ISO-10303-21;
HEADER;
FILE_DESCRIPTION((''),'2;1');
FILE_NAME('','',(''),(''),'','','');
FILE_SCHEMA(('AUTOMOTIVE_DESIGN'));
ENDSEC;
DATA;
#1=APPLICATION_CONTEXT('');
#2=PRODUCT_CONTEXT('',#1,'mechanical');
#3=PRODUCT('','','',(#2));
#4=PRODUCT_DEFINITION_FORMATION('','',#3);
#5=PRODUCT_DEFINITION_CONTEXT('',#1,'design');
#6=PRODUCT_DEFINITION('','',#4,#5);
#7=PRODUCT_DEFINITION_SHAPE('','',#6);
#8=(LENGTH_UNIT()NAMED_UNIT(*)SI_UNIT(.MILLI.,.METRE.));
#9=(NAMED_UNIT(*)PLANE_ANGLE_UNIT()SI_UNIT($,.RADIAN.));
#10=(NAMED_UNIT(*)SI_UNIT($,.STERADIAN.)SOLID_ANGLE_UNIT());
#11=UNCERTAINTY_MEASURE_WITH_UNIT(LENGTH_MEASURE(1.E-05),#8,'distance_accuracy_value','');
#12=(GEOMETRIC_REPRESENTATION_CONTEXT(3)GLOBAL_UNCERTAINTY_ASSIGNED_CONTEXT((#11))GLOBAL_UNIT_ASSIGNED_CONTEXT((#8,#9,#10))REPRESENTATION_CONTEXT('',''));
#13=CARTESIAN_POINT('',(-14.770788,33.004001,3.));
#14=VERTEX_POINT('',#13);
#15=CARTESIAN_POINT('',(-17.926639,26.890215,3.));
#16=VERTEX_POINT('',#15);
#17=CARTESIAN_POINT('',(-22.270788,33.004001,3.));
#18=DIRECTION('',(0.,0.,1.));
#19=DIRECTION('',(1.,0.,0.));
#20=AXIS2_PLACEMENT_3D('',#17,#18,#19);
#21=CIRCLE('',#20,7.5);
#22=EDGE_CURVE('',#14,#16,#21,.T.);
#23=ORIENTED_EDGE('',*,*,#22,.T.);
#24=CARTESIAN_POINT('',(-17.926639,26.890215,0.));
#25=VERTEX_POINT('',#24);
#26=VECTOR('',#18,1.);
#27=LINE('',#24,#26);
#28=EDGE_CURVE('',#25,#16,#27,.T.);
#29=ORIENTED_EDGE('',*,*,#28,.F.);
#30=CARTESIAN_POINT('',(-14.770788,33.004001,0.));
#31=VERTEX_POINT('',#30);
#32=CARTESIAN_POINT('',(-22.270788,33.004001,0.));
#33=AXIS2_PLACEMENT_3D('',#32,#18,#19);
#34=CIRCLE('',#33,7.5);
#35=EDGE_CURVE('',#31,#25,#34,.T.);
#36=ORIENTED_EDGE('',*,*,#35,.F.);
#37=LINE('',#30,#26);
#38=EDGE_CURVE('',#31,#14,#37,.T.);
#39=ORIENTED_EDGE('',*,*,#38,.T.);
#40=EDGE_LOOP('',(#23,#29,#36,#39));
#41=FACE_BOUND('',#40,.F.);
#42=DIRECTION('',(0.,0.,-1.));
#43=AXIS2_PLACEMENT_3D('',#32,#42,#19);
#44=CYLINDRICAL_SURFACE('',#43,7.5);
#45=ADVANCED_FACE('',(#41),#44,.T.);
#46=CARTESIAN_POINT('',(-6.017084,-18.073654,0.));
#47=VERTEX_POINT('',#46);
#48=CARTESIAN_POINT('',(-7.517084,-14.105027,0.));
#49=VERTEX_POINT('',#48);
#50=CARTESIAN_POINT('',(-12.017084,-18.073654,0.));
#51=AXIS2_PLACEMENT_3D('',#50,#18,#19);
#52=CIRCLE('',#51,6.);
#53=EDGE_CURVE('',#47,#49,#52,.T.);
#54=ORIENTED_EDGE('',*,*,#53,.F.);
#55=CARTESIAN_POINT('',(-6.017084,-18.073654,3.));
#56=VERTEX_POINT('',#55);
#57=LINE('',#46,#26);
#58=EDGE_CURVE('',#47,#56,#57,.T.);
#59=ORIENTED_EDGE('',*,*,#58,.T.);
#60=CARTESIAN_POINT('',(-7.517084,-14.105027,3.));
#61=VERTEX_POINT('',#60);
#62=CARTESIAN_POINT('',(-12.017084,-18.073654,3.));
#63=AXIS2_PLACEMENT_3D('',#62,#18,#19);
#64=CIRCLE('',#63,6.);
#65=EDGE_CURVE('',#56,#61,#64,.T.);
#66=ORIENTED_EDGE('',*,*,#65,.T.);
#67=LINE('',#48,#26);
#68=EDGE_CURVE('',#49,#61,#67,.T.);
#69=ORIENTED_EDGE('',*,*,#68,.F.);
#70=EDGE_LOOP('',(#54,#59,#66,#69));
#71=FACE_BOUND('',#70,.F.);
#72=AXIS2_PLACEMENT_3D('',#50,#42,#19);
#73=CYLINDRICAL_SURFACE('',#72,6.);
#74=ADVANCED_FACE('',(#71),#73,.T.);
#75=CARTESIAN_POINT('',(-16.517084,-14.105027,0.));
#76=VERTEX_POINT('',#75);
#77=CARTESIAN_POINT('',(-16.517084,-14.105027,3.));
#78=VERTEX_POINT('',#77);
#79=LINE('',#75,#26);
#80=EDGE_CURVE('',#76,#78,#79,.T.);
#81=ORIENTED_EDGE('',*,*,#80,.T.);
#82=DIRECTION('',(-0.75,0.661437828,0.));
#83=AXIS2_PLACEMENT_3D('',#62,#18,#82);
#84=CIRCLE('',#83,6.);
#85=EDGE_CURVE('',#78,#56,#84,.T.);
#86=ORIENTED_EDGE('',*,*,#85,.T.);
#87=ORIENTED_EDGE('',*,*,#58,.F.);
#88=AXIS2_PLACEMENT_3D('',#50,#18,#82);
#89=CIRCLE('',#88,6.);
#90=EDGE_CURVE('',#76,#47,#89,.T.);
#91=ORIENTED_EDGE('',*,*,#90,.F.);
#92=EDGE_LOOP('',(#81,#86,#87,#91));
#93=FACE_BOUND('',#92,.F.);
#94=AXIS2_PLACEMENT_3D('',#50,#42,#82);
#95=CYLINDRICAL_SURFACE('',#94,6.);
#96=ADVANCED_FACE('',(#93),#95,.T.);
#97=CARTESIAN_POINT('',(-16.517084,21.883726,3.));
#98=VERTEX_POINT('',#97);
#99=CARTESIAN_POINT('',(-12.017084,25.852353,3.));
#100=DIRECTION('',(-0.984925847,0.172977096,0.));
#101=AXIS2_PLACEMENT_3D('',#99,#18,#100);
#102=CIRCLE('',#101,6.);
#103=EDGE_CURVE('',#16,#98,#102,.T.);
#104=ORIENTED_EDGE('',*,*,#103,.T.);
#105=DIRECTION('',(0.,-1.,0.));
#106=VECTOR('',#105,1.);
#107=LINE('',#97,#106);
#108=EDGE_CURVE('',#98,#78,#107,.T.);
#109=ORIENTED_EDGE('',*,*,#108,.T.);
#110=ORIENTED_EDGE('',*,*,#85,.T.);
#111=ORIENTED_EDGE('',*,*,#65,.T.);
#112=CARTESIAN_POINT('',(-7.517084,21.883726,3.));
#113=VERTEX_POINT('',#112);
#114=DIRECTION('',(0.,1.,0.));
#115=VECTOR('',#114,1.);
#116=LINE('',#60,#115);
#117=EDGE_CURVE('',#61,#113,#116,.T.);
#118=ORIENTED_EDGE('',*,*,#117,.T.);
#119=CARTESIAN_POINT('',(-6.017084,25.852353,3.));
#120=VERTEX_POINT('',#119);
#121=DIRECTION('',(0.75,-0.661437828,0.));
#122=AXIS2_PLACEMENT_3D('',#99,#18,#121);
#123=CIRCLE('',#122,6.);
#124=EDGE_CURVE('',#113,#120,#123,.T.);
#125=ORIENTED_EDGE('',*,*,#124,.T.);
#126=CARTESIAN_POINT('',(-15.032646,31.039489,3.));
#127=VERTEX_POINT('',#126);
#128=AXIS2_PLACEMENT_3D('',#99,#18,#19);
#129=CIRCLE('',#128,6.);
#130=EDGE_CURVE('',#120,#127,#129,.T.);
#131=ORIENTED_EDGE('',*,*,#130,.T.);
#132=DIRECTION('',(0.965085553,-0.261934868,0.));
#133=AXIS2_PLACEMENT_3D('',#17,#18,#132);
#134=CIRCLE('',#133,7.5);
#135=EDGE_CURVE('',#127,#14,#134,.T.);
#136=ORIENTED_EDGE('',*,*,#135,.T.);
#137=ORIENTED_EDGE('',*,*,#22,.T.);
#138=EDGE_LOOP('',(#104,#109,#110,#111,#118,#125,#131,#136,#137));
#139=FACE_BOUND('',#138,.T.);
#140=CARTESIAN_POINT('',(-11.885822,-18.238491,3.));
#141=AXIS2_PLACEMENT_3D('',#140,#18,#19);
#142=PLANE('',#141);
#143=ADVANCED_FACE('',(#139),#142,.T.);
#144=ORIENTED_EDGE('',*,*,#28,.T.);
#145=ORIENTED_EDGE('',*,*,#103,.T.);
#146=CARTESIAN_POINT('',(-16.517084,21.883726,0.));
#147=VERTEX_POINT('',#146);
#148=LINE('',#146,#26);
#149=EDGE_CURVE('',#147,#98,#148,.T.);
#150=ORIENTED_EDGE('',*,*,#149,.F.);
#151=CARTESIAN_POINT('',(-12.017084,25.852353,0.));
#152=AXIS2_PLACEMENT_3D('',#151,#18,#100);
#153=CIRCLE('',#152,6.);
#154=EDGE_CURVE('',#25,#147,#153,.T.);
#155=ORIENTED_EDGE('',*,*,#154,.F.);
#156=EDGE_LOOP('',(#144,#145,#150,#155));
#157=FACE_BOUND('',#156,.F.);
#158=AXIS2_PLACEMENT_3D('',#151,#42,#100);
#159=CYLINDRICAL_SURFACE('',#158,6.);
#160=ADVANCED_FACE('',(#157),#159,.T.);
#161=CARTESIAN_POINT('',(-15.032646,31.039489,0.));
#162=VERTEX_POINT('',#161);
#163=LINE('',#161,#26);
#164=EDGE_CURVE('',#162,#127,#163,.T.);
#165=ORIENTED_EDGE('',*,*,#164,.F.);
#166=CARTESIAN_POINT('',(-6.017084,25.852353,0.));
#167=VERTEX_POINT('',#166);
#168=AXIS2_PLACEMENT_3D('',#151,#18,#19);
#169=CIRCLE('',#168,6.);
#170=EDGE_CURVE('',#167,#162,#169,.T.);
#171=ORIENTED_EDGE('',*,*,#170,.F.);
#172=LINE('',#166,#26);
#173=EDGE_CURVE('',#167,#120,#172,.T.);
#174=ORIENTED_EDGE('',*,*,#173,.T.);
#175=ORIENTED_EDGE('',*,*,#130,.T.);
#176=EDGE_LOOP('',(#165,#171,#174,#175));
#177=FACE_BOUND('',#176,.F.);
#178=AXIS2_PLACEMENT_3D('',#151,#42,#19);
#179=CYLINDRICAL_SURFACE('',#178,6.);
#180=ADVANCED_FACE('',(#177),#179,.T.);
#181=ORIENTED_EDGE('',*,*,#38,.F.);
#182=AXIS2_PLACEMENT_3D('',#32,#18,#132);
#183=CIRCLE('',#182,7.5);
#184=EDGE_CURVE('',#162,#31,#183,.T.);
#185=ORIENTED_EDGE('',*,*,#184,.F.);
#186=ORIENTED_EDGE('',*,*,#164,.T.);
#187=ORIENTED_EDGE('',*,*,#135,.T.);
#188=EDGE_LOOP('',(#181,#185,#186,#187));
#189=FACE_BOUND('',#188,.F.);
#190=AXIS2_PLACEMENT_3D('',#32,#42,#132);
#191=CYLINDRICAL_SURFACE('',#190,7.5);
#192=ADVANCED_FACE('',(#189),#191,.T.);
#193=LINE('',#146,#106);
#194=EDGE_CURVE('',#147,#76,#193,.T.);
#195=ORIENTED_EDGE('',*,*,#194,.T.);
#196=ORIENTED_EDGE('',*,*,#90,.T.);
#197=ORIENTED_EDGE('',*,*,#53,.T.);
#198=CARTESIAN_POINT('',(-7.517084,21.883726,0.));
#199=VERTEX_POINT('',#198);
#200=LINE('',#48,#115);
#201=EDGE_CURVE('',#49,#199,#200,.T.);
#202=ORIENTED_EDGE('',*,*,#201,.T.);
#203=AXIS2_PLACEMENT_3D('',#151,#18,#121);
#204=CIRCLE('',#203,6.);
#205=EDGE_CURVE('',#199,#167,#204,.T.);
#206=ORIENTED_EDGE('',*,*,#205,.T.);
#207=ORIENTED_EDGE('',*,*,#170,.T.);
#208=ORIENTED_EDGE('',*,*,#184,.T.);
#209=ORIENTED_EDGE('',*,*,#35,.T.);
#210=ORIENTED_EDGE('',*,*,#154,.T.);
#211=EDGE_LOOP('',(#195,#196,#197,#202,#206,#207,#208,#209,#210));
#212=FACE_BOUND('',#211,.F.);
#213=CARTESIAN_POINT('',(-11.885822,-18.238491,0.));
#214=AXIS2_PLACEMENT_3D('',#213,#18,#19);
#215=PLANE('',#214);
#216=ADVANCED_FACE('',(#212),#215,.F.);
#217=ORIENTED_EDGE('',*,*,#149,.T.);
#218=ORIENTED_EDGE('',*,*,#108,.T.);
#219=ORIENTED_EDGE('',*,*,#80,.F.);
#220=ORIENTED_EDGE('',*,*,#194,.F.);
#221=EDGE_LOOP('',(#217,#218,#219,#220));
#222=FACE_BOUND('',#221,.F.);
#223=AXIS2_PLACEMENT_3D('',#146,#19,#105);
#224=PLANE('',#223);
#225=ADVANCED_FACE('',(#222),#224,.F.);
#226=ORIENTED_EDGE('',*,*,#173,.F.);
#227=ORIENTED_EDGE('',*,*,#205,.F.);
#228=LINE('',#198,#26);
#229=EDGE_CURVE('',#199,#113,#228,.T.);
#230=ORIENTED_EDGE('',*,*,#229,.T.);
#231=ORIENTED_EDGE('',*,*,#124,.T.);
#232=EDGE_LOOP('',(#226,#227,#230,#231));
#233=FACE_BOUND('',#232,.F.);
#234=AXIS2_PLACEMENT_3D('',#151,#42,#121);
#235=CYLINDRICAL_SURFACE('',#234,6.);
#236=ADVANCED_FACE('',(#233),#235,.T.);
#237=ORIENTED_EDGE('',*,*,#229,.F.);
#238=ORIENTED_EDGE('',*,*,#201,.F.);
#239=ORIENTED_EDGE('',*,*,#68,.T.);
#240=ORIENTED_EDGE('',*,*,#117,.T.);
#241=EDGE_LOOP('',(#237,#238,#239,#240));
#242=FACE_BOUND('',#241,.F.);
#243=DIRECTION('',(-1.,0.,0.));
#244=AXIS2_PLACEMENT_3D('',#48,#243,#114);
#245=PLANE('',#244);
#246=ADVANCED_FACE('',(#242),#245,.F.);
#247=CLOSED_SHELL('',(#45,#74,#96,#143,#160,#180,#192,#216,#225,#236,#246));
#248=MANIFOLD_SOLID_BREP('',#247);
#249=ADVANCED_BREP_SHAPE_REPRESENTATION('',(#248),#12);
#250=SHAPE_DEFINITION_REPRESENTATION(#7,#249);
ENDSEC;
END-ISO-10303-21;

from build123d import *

# Parameters (mm, degrees)
F1_DEPTH = 3


with BuildPart() as f1:
    # F0 (on Top) → F1 (new body)
    with BuildSketch(Plane.XY):
        with BuildLine():
            Line((-16.5170838535, -14.1476472967), (-16.5170838535, -14.1050268357))
            ThreePointArc((-16.5170838535, -14.1050268357), (-14.138404197, -23.6861398824), (-6.0170838535, -18.0736538023))
            ThreePointArc((-6.0170838535, -18.0736538023), (-6.4045977733, -15.9523334587), (-7.5170838535, -14.1050268357))
            Line((-7.5170838535, -14.1050268357), (-7.5170838535, -14.1476472967))
            Line((-7.5170838535, -14.1476472967), (-16.5170838535, -14.1476472967))
        make_face()
        with BuildLine():
            ThreePointArc((-14.7707875073, 33.004000783), (-28.9352872741, 36.4441232892), (-17.9266389361, 26.8902152788))
            ThreePointArc((-17.9266389361, 26.8902152788), (-16.9383181933, 29.2847647667), (-15.0326458585, 31.0394892731))
            ThreePointArc((-15.0326458585, 31.0394892731), (-14.836540324, 32.0130573854), (-14.7707875073, 33.004000783))
        make_face()
        with BuildLine():
            Line((-16.5170838535, 21.8837257367), (-16.5170838535, 22.8523527033))
            Line((-16.5170838535, 22.8523527033), (-7.5170838535, 22.8523527033))
            Line((-7.5170838535, 22.8523527033), (-7.5170838535, 21.8837257367))
            ThreePointArc((-7.5170838535, 21.8837257367), (-6.4045977733, 23.7310323597), (-6.0170838535, 25.8523527033))
            ThreePointArc((-6.0170838535, 25.8523527033), (-9.0248749729, 31.0529955496), (-15.0326458585, 31.0394892731))
            ThreePointArc((-15.0326458585, 31.0394892731), (-16.1192445826, 28.7134857037), (-17.9266389361, 26.8902152788))
            ThreePointArc((-17.9266389361, 26.8902152788), (-17.7925443233, 24.2262972424), (-16.5170838535, 21.8837257367))
        make_face()
        with BuildLine():
            Line((-7.5170838535, 22.8523527033), (-16.5170838535, 22.8523527033))
            Line((-16.5170838535, 22.8523527033), (-16.5170838535, 21.8837257367))
            ThreePointArc((-16.5170838535, 21.8837257367), (-12.0170838535, 19.8523527033), (-7.5170838535, 21.8837257367))
            Line((-7.5170838535, 21.8837257367), (-7.5170838535, 22.8523527033))
        make_face()
        with BuildLine():
            ThreePointArc((-7.5170838535, 21.8837257367), (-12.0170838535, 19.8523527033), (-16.5170838535, 21.8837257367))
            Line((-16.5170838535, 21.8837257367), (-16.5170838535, -14.1050268357))
            ThreePointArc((-16.5170838535, -14.1050268357), (-12.0170838535, -12.0736538023), (-7.5170838535, -14.1050268357))
            Line((-7.5170838535, -14.1050268357), (-7.5170838535, 21.8837257367))
        make_face()
        with BuildLine():
            ThreePointArc((-7.5170838535, -14.1050268357), (-12.0170838535, -12.0736538023), (-16.5170838535, -14.1050268357))
            Line((-16.5170838535, -14.1050268357), (-16.5170838535, -14.1476472967))
            Line((-16.5170838535, -14.1476472967), (-7.5170838535, -14.1476472967))
            Line((-7.5170838535, -14.1476472967), (-7.5170838535, -14.1050268357))
        make_face()
        with BuildLine():
            ThreePointArc((-15.0326458585, 31.0394892731), (-16.9383181933, 29.2847647667), (-17.9266389361, 26.8902152788))
            ThreePointArc((-17.9266389361, 26.8902152788), (-16.1192445826, 28.7134857037), (-15.0326458585, 31.0394892731))
        make_face()
    extrude(amount=F1_DEPTH)


solid = f1.part
